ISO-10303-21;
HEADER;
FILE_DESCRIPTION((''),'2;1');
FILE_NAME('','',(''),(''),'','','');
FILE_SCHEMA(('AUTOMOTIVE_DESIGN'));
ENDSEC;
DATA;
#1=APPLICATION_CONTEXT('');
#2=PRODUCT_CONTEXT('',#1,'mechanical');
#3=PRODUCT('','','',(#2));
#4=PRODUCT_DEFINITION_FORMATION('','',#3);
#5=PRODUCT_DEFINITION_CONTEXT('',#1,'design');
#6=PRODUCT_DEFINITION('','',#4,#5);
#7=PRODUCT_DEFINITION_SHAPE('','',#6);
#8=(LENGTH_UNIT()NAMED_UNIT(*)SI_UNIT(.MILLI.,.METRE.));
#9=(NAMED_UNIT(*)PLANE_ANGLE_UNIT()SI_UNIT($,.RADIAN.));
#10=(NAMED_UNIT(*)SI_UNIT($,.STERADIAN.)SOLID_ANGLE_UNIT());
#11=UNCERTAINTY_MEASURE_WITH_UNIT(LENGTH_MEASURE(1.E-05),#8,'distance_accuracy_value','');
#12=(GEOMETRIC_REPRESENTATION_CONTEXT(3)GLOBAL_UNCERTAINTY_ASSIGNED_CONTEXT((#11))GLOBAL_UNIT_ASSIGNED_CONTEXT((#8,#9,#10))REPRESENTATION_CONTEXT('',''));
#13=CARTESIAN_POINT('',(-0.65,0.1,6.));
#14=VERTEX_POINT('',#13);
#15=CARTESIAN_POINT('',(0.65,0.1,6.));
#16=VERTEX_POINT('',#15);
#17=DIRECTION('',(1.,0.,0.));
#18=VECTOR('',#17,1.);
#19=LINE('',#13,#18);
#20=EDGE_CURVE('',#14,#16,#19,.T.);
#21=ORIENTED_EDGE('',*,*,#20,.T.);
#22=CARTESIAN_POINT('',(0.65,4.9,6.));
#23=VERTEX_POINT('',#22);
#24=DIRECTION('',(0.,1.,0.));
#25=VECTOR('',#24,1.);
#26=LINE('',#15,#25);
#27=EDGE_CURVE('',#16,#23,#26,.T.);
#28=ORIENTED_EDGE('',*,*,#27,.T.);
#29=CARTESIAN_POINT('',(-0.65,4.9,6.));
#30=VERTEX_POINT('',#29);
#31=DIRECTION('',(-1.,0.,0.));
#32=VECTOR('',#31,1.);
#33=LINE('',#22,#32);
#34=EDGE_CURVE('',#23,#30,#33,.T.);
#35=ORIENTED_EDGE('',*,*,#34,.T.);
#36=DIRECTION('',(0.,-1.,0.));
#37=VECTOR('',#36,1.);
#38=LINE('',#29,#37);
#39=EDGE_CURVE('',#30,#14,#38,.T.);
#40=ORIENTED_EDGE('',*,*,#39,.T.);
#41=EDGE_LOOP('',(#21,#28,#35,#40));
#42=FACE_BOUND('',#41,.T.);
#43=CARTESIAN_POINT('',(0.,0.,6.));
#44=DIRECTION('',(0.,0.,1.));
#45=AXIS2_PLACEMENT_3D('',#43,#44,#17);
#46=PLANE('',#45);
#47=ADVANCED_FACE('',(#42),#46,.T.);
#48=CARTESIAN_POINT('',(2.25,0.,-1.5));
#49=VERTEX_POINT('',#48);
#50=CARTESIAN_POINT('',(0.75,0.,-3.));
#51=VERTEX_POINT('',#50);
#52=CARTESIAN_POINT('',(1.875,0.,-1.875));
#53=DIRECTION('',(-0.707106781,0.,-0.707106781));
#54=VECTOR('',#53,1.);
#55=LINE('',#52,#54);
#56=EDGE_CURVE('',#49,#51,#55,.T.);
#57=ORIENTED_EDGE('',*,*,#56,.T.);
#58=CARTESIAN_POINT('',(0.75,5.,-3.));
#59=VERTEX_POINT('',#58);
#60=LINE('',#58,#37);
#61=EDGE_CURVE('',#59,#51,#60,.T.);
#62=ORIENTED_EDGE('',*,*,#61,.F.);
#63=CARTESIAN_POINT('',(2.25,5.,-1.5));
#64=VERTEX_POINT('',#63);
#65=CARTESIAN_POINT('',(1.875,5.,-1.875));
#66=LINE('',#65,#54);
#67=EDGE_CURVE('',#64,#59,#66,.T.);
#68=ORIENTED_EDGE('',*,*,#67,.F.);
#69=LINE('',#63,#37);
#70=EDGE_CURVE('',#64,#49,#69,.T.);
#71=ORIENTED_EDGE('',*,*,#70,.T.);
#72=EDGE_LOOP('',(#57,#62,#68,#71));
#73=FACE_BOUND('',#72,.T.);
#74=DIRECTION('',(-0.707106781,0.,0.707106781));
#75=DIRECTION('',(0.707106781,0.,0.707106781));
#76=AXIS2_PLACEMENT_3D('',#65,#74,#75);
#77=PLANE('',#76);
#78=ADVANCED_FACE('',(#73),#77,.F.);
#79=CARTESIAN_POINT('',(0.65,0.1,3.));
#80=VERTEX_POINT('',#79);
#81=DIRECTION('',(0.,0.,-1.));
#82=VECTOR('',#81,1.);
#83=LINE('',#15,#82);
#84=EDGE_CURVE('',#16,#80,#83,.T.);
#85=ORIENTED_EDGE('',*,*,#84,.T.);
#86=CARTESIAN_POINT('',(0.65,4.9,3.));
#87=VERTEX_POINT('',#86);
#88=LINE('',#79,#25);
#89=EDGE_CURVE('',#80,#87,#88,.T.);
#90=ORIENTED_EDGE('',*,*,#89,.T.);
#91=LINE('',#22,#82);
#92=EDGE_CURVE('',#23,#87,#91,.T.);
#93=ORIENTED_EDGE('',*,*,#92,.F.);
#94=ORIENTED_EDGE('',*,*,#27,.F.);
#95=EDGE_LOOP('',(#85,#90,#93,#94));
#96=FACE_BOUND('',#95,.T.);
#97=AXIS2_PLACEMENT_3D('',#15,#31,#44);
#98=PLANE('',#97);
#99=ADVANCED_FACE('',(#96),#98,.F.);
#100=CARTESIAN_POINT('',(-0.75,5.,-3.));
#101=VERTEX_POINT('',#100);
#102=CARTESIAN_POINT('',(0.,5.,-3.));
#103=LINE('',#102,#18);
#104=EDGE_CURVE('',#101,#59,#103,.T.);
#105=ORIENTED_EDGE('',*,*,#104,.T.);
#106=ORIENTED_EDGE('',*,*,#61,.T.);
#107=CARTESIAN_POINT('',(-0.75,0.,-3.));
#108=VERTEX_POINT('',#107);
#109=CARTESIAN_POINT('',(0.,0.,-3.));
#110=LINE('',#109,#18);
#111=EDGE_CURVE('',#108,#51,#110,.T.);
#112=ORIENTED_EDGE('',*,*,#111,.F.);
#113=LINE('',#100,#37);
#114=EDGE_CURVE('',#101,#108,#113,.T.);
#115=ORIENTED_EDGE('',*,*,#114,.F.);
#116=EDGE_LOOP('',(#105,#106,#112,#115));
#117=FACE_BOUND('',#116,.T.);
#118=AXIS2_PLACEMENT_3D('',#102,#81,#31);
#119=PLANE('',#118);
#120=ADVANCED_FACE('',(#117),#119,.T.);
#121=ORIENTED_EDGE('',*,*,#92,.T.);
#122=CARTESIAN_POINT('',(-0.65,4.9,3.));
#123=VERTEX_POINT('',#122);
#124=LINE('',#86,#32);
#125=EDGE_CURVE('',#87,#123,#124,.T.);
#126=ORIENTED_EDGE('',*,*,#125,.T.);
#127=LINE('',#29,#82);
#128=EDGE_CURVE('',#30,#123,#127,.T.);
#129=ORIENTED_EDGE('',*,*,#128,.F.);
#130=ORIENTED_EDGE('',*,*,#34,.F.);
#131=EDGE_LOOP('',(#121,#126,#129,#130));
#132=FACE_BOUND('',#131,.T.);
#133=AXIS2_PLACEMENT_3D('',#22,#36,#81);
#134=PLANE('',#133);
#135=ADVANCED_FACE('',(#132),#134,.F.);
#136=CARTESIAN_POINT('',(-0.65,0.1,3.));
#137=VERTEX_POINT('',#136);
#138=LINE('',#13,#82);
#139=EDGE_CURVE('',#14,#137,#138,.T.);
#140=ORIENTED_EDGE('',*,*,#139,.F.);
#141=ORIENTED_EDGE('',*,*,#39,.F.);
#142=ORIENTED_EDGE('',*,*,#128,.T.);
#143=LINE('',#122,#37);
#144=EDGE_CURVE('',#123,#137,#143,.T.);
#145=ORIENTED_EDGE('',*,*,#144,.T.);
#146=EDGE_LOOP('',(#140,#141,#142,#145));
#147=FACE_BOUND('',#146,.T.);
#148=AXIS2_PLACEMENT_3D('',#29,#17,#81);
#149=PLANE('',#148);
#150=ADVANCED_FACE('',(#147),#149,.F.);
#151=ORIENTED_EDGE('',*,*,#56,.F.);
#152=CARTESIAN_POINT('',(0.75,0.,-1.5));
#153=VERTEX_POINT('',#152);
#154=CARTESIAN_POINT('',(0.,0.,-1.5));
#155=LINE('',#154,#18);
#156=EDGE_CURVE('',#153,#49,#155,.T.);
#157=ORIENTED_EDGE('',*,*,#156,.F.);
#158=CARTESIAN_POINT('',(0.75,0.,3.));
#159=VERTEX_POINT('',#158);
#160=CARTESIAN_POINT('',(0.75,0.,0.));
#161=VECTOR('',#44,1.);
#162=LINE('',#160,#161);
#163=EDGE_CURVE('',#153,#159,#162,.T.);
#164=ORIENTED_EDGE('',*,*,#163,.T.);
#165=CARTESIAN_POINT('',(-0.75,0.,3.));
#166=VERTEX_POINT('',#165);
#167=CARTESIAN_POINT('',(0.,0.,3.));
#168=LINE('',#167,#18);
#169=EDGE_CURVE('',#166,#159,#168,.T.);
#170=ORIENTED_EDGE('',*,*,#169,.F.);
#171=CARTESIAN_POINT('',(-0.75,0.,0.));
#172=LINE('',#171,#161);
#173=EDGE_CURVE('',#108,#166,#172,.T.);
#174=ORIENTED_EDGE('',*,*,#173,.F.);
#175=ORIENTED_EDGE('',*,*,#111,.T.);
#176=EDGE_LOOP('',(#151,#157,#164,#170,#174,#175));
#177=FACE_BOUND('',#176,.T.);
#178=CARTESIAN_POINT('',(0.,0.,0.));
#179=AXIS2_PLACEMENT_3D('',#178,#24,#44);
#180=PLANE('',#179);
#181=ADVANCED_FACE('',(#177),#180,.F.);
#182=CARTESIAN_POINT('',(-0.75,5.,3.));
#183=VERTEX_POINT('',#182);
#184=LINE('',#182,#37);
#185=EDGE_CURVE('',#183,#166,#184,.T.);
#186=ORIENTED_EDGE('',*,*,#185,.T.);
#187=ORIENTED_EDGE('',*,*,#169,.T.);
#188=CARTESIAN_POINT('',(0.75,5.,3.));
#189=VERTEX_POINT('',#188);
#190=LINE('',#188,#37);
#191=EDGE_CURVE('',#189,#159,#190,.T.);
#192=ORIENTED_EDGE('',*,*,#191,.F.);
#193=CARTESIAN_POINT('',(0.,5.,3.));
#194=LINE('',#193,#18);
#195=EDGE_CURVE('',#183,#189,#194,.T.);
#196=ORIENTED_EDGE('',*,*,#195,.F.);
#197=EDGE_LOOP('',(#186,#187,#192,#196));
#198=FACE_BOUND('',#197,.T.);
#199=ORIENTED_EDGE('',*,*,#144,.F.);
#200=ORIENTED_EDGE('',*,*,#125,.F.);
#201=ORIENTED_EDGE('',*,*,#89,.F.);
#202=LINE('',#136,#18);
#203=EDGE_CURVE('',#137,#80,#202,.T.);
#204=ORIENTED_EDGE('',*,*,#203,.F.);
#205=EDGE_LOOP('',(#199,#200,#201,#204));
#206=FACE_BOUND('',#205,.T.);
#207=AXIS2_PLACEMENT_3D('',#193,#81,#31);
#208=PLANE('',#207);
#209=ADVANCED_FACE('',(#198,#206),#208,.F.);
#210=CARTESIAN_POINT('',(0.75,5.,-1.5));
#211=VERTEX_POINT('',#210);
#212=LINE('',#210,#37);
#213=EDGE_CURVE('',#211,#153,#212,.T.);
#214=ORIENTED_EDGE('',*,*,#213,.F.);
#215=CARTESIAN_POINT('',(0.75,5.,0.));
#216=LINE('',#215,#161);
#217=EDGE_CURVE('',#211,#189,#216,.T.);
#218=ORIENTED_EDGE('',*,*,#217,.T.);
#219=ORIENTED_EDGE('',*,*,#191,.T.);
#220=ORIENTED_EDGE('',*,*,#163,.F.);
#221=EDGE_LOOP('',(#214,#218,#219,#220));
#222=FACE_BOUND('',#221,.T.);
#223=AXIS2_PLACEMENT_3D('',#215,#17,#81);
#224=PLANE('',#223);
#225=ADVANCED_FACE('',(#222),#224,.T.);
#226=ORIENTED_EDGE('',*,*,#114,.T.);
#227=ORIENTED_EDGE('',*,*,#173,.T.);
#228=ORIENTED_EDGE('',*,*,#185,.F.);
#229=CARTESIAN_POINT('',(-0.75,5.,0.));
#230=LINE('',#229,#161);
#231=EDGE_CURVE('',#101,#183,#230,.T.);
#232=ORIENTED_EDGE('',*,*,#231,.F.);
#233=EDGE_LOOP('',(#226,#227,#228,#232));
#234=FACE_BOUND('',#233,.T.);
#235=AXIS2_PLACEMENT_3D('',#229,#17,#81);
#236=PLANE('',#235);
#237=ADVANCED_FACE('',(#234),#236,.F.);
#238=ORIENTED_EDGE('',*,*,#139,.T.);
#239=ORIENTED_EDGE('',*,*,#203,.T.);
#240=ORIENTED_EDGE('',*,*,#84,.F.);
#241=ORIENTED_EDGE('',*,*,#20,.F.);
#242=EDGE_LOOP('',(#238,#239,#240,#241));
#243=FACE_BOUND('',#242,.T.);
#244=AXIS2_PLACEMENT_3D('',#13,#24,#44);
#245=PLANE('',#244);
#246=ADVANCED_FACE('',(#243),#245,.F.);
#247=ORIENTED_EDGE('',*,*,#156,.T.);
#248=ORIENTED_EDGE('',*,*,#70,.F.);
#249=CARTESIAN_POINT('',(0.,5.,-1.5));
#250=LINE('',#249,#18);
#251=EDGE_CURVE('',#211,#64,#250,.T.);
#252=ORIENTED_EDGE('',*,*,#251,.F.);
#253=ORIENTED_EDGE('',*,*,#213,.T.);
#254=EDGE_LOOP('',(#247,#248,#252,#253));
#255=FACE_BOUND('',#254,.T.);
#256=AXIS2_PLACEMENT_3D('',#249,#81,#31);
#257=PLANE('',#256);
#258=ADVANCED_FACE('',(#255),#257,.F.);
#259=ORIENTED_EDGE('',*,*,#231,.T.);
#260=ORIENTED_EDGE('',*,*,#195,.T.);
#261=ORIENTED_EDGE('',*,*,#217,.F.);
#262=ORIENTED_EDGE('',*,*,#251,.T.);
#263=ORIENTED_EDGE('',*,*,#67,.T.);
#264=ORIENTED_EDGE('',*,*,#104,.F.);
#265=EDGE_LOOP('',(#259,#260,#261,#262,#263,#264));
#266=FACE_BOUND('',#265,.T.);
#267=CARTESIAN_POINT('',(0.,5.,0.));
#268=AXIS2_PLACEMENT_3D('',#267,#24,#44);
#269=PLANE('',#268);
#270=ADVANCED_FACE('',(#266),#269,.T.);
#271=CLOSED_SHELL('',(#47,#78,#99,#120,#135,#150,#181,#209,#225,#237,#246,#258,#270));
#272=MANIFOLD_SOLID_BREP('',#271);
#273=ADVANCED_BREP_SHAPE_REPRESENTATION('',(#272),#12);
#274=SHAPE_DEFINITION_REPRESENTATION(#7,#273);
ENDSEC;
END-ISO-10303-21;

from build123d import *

# Parameters (mm, degrees)
BOSS_EXTRUDE1_DEPTH = 5
SKETCH2_W           = 1.3
SKETCH2_H           = 4.8
BOSS_EXTRUDE2_DEPTH = 3


with BuildPart() as part:
    # Sketch1 → Boss-Extrude1 (new body)
    with BuildSketch(Plane(origin=(0, 0, 0), x_dir=(1, 0, 0), z_dir=(0, 1, 0))):
        Polygon((0.75, 1.5), (2.25, 1.5), (0.75, 3), (-0.75, 3), (-0.75, -3), (-0.7, -3), (0.7, -3), (0.75, -3), align=None)
    extrude(amount=BOSS_EXTRUDE1_DEPTH)

    # Sketch2 → Boss-Extrude2 (add)
    with BuildSketch(Plane.XY.offset(3)):
        with Locations((0, 2.5)):
            Rectangle(SKETCH2_W, SKETCH2_H)
    extrude(amount=BOSS_EXTRUDE2_DEPTH)


solid = part.part
